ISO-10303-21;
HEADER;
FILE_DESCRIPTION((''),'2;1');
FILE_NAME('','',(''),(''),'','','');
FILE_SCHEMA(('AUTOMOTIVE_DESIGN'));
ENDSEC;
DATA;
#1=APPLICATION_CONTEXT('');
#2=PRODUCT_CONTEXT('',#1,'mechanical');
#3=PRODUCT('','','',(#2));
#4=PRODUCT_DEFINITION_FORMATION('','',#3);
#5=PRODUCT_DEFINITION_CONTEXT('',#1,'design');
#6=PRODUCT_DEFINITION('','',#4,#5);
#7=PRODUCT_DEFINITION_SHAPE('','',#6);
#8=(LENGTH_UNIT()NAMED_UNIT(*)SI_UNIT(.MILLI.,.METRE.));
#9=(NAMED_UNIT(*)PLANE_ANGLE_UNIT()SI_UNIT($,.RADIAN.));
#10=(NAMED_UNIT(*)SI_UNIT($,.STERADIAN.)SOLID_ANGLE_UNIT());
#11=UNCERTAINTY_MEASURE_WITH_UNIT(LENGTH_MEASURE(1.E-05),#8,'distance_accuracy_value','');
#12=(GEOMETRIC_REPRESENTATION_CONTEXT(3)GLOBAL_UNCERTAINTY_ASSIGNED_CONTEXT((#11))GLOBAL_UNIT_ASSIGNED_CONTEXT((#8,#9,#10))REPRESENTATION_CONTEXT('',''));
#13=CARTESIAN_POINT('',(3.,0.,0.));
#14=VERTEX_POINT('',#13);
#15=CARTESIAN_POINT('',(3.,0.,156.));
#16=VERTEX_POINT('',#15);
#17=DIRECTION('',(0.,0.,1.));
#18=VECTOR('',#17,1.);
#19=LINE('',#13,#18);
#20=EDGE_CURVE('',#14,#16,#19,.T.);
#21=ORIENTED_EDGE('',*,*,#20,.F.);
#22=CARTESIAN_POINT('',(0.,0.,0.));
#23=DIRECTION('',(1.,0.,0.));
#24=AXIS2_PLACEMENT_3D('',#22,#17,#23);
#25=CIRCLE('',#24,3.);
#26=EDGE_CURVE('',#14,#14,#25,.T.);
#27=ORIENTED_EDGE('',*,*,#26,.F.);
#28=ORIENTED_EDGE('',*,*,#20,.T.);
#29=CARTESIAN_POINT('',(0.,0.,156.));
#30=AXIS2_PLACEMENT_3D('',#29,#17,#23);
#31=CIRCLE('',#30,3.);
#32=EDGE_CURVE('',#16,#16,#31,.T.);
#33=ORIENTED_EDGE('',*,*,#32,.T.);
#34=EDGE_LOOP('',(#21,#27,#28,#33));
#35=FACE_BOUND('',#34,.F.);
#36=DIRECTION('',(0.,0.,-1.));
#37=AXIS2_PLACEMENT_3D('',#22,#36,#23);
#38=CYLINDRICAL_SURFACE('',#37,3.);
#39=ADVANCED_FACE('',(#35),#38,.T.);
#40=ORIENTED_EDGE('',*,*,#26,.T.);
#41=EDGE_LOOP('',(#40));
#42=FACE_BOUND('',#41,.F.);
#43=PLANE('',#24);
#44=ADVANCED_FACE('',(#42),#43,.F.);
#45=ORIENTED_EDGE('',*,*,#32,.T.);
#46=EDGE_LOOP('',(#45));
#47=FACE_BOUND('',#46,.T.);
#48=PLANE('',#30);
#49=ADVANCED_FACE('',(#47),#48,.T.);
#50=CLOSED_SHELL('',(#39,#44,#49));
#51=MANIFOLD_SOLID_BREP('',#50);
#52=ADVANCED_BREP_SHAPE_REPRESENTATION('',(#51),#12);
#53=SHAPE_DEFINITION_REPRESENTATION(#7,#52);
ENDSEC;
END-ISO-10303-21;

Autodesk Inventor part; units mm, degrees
ref_plane "YZ Plane" through (0, 0, 0) normal (1, 0, 0) x (0, 1, 0)
ref_plane "XZ Plane" through (0, 0, 0) normal (0, 1, 0) x (-1, 0, 0)
ref_plane "XY Plane" through (0, 0, 0) normal (0, 0, 1) x (1, 0, 0)
sketch "Sketch1" plane through (0, 0, 0) normal (0, 0, 1) x (1, 0, 0)
  circle A0 centre (0, 0) radius 3
  dimension "d0" = 6
extrude "Extrusion1" add sketch "Sketch1" along normal blind 156
properties part number "404-shaft" material "Stainless Steel"
